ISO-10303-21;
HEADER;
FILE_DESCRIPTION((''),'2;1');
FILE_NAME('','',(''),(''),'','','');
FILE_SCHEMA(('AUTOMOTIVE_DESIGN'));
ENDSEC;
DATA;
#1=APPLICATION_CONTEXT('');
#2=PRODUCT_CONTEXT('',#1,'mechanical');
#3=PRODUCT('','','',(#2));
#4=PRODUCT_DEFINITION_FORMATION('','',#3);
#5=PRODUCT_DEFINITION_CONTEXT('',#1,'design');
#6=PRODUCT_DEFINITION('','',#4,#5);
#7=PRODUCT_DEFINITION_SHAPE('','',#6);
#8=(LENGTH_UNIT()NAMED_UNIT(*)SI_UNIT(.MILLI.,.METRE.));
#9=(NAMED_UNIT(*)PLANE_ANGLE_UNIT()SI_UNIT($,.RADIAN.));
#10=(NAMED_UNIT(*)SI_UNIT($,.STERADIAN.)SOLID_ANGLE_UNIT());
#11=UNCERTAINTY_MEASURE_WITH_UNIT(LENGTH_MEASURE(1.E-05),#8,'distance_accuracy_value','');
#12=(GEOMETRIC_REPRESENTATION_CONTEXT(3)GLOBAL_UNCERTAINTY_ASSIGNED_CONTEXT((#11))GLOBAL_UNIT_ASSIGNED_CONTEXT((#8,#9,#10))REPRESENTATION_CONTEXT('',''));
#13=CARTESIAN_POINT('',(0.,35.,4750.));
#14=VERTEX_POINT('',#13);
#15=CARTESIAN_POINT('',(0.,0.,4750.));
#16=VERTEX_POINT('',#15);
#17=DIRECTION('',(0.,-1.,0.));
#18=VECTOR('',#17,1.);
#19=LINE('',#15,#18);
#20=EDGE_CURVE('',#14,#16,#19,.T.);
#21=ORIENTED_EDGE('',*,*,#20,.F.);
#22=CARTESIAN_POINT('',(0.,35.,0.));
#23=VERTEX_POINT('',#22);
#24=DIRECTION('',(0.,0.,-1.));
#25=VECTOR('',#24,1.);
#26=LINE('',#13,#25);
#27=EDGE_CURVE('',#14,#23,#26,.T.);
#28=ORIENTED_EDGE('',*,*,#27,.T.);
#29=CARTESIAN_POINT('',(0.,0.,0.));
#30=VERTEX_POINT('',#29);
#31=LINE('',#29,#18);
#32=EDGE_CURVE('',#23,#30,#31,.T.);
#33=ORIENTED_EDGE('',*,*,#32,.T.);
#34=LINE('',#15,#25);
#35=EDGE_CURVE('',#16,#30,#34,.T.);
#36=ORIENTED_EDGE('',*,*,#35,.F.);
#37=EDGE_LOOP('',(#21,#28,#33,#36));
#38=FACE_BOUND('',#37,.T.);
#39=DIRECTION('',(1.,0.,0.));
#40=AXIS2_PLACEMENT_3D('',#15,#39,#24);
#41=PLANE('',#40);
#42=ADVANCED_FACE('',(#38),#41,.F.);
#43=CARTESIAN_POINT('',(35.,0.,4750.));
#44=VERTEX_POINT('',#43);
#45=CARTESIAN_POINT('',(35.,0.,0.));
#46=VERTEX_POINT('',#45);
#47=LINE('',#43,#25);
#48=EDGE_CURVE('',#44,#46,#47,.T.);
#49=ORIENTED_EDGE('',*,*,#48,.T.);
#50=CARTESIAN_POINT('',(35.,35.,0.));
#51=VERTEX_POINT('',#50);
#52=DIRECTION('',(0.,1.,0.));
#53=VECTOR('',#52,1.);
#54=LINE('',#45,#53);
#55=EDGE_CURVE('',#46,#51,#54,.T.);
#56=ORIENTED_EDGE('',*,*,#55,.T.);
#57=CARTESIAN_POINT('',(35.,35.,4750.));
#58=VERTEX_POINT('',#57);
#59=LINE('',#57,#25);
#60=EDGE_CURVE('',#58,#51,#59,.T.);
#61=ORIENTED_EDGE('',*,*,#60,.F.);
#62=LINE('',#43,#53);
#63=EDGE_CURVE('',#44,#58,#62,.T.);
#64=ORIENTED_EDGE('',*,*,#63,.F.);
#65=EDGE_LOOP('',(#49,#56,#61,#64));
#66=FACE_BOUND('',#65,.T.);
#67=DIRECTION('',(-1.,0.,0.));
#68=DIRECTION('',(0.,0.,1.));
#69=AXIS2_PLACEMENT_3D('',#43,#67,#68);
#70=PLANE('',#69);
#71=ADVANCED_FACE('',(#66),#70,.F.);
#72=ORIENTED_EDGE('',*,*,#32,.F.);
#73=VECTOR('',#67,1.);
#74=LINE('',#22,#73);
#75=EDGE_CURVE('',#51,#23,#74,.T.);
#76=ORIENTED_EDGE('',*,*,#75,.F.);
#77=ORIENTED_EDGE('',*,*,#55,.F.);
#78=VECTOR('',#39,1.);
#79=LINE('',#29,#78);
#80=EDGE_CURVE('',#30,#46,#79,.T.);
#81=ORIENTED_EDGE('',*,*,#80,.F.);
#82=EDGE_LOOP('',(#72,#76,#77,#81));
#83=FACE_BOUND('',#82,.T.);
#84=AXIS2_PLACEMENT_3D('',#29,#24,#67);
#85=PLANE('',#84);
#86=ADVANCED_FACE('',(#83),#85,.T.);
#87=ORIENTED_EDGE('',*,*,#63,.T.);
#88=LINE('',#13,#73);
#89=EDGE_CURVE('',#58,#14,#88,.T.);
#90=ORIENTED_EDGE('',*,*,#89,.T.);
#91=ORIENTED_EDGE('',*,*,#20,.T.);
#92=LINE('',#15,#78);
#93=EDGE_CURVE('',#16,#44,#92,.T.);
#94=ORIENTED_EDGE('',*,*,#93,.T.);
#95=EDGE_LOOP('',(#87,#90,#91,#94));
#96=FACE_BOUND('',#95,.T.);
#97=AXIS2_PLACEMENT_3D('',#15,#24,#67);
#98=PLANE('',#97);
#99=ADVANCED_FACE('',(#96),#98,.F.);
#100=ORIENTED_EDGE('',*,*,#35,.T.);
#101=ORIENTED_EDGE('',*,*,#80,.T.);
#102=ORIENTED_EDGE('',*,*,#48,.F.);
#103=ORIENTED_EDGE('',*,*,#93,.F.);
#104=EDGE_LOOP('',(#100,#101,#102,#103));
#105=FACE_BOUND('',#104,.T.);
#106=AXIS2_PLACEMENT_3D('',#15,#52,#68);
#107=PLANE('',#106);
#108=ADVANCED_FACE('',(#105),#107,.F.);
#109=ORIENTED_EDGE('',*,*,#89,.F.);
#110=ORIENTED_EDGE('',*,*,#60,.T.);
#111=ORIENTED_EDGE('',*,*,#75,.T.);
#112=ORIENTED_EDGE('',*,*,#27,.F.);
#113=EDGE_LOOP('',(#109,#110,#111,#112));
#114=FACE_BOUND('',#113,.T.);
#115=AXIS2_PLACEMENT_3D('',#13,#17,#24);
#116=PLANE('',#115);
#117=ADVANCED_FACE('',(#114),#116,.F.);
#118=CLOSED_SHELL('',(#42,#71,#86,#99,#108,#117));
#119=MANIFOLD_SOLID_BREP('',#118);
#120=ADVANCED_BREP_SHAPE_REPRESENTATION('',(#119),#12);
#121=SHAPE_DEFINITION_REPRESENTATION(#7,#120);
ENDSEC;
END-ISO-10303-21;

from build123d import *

# Parameters (mm, degrees)
ESBO_O1_W                = 35
ESBO_O1_H                = 35
RESSALTO_EXTRUS_O1_DEPTH = 4750


with BuildPart() as part:
    # Esboço1 → Ressalto-extrusão1 (new body)
    with BuildSketch(Plane.XY):
        with Locations((17.5, 17.5)):
            Rectangle(ESBO_O1_W, ESBO_O1_H)
    extrude(amount=RESSALTO_EXTRUS_O1_DEPTH)


solid = part.part
